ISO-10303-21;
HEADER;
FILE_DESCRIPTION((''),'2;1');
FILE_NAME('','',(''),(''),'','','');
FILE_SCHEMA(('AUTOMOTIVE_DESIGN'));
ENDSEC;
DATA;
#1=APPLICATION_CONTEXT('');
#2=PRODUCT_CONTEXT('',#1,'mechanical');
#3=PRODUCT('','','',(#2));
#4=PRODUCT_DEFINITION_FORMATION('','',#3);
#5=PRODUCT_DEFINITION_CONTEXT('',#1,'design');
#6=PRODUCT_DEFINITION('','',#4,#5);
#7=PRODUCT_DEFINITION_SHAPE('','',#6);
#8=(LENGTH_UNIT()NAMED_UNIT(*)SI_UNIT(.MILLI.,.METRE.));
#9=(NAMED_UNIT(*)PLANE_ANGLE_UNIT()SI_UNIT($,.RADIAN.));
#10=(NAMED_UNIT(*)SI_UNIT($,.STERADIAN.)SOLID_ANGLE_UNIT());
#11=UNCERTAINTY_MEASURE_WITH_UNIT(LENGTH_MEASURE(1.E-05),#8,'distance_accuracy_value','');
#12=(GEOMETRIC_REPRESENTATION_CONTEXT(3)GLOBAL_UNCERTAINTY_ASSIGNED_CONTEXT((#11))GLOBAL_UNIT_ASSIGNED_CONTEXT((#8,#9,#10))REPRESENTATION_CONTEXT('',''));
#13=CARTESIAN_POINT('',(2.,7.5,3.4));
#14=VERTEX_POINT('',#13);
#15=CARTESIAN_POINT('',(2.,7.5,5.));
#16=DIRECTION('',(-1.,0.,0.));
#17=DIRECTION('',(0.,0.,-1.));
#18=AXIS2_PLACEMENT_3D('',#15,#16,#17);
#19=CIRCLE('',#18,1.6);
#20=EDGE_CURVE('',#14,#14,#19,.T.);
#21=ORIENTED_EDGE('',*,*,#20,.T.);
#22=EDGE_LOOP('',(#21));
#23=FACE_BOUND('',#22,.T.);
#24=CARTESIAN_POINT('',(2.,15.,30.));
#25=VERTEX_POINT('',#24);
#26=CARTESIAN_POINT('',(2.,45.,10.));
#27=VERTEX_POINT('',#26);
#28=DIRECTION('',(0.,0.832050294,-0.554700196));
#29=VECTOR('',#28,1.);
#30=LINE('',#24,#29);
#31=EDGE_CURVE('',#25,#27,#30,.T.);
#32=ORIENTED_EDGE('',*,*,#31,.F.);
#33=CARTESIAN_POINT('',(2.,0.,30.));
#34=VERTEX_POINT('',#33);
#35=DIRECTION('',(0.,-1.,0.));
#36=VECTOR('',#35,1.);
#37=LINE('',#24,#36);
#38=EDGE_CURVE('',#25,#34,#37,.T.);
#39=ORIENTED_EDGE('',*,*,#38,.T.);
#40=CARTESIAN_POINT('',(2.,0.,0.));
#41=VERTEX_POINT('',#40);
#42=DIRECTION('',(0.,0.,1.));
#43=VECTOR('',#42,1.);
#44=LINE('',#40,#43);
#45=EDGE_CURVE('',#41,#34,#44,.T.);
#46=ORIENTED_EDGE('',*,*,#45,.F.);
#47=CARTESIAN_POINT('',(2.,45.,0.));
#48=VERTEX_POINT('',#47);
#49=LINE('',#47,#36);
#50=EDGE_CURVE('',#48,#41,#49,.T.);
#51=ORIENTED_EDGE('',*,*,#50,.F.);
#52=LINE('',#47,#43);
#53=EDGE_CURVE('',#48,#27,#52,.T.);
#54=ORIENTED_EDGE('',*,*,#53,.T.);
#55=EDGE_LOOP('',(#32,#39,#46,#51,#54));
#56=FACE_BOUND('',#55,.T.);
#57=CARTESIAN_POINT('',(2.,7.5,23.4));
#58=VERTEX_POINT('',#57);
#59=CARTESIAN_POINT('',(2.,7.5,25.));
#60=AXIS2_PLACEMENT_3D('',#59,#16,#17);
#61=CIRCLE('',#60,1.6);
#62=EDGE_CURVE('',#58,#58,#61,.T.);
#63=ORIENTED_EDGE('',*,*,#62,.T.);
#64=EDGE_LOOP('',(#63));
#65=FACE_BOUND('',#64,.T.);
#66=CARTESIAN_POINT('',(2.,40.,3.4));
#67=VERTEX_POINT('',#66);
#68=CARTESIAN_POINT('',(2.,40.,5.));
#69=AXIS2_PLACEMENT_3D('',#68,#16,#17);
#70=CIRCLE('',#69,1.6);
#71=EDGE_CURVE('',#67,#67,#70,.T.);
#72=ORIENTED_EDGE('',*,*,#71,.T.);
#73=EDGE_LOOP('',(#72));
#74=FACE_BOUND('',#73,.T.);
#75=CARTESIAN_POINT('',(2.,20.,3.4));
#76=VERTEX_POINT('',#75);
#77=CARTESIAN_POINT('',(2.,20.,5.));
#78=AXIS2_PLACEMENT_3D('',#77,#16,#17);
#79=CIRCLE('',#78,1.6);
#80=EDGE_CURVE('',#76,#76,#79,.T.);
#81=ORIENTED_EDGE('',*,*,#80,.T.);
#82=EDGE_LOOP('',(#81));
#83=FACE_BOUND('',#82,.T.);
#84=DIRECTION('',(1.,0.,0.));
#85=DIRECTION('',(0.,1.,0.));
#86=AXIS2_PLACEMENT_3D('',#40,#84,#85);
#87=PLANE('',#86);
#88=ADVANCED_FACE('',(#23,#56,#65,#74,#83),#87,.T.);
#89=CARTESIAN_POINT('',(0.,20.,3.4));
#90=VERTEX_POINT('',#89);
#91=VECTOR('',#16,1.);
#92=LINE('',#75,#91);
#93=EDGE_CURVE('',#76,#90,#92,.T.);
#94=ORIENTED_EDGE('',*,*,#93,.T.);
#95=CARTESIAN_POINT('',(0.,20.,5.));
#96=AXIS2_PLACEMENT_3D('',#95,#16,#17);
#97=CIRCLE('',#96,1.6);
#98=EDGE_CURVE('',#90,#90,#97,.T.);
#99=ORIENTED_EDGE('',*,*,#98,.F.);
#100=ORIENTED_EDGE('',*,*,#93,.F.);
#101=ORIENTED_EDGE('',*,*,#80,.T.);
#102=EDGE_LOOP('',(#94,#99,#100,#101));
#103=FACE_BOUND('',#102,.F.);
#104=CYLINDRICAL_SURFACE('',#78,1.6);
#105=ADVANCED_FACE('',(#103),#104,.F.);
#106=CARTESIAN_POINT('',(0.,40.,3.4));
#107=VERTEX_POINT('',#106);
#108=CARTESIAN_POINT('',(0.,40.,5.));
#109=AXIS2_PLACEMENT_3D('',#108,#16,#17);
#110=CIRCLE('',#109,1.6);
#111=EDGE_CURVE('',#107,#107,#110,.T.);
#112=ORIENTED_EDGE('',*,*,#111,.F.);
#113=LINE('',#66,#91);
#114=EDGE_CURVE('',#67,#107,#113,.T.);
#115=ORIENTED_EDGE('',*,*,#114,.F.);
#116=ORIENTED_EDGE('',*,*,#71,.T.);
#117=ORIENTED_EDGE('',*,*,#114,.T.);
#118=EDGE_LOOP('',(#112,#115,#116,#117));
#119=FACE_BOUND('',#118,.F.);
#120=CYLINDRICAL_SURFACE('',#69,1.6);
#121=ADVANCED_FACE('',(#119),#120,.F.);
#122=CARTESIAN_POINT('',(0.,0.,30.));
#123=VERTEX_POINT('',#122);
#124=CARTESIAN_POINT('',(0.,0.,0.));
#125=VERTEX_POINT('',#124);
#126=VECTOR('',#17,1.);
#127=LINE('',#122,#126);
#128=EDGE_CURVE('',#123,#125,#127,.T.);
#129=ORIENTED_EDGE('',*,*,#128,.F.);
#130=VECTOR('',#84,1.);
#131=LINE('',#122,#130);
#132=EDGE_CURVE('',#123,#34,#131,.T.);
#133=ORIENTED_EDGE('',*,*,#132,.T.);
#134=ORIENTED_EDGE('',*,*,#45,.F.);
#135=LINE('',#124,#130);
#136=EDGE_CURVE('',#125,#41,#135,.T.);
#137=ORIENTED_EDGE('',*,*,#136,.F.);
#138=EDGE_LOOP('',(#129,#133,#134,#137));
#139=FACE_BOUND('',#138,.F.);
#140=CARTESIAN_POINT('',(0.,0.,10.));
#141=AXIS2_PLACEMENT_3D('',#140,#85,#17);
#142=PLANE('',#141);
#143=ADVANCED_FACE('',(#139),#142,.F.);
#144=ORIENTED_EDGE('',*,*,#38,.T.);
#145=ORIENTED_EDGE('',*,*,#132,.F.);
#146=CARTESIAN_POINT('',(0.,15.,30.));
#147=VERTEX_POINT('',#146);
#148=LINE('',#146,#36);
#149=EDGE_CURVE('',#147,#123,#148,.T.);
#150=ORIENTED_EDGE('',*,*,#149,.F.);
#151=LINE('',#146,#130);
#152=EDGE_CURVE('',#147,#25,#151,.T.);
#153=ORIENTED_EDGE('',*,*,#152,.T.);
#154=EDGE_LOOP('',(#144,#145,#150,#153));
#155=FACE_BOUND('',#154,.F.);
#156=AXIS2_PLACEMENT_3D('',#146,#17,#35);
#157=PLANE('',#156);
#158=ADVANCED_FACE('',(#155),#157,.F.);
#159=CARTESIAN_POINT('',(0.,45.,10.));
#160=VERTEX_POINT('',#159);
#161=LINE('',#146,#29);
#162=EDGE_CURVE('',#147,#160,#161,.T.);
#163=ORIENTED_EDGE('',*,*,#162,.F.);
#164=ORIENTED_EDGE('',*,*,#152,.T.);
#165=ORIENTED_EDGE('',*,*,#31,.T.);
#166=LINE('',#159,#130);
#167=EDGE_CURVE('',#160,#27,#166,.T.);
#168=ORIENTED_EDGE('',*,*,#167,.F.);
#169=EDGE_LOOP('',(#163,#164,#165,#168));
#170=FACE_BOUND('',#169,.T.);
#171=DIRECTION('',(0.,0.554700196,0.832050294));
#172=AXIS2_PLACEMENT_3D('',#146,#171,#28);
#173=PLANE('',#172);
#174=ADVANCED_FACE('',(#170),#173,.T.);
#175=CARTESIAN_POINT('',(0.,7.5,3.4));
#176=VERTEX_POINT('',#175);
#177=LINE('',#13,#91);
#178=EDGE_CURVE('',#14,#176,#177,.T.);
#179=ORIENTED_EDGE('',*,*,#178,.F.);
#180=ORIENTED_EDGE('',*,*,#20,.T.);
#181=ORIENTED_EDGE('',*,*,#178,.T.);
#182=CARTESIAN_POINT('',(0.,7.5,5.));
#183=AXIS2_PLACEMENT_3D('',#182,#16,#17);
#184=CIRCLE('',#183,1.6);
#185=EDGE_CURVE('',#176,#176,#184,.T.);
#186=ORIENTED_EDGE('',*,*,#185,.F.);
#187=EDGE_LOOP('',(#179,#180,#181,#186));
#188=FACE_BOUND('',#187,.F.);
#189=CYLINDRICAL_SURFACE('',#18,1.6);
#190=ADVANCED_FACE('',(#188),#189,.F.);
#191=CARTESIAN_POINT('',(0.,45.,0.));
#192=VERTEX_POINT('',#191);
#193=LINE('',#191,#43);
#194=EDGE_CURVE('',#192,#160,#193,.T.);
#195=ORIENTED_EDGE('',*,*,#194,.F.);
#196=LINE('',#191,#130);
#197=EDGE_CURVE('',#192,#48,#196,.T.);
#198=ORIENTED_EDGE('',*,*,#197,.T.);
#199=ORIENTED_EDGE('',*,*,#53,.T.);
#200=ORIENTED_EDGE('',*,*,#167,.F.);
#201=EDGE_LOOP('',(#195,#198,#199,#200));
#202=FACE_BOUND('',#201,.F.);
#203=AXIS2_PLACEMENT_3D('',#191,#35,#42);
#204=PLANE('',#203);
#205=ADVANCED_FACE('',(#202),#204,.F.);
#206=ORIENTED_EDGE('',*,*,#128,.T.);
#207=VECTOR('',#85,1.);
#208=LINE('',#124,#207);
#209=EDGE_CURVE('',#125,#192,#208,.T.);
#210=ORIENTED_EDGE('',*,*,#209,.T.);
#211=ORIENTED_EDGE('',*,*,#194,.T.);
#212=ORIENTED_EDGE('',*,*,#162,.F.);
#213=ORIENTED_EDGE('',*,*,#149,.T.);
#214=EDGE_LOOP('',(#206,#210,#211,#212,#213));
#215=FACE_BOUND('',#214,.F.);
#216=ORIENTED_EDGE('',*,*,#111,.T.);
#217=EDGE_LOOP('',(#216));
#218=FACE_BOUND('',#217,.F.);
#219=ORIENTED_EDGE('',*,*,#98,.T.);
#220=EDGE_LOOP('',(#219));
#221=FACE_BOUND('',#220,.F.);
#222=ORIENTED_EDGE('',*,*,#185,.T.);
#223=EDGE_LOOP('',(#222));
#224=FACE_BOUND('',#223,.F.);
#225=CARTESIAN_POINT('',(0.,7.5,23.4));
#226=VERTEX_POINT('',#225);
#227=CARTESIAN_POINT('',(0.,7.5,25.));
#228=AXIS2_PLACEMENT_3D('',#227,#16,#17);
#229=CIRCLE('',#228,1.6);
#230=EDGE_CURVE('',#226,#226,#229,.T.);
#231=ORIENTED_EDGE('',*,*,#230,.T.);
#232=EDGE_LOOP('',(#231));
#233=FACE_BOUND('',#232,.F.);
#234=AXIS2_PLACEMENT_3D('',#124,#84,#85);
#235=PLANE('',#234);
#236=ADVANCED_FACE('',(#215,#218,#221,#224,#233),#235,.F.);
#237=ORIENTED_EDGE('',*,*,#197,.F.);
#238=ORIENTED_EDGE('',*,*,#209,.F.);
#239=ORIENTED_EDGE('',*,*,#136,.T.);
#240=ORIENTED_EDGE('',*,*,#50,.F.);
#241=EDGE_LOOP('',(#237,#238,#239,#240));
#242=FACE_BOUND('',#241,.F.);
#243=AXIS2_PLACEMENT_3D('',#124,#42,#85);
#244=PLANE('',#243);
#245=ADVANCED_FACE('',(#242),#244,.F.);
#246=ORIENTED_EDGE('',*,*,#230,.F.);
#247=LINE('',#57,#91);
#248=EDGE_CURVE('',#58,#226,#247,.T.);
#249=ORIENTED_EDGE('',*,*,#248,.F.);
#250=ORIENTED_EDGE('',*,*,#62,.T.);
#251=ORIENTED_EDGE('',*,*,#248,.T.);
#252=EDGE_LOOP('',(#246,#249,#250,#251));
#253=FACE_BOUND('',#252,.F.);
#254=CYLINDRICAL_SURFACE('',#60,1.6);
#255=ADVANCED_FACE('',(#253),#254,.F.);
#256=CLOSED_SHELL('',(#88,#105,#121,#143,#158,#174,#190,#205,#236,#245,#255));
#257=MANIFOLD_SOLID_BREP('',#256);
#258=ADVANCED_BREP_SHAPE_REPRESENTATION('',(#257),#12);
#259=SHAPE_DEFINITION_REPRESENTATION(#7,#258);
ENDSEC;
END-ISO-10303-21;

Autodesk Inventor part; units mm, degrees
ref_plane "YZ Plane" through (0, 0, 0) normal (1, 0, 0) x (0, 1, 0)
ref_plane "XZ Plane" through (0, 0, 0) normal (0, 1, 0) x (-1, 0, 0)
ref_plane "XY Plane" through (0, 0, 0) normal (0, 0, 1) x (1, 0, 0)
sketch "スケッチ1" plane through (0, 0, 0) normal (1, 0, 0) x (0, 1, 0)
  line L0 (0, 0) -> (45, 0)
  line L1 (45, 0) -> (45, 10)
  line L2 (45, 10) -> (0, 10) construction
  line L3 (0, 10) -> (0, 0)
  line L4 (0, 0) -> (15, 0)
  line L5 (15, 0) -> (15, 30) construction
  line L6 (15, 30) -> (0, 30)
  line L7 (0, 30) -> (0, 0)
  line L8 (15, 30) -> (45, 10)
  dimension "d0" = 10
  dimension "d1" = 15
  dimension "d2" = 30
  dimension "d3" = 30
extrude "押し出し1" add sketch "スケッチ1" along normal blind 2
sketch "スケッチ2" plane through (2, 0, 0) normal (1, 0, 0) x (0, 0, -1)
  line L0 (-30, 15) -> (-30, 0) projected
  line L1 (-30, 7.5) -> (0, 7.5) construction
  line L2 (0, 0) -> (0, 45) projected
  line L3 (0, 45) -> (-10, 45) projected
  line L4 (-5, 45) -> (-5, 0) construction
  line L5 (-30, 0) -> (0, 0) projected
  point P0 (-25, 7.5)
  point P1 (-5, 7.5)
  point P2 (-5, 20)
  point P3 (-5, 40)
  dimension "d6" = 20
  dimension "d7" = 5
  dimension "d8" = 20
  dimension "d9" = 5
hole "穴1" at (2, 7.5, 25) at (2, 7.5, 5) at (2, 20, 5) at (2, 40, 5) direction (-1, 0, 0) diameter 3.2 end through all
properties part number "FrameJoint1510" material "アルミニウム 6061"
